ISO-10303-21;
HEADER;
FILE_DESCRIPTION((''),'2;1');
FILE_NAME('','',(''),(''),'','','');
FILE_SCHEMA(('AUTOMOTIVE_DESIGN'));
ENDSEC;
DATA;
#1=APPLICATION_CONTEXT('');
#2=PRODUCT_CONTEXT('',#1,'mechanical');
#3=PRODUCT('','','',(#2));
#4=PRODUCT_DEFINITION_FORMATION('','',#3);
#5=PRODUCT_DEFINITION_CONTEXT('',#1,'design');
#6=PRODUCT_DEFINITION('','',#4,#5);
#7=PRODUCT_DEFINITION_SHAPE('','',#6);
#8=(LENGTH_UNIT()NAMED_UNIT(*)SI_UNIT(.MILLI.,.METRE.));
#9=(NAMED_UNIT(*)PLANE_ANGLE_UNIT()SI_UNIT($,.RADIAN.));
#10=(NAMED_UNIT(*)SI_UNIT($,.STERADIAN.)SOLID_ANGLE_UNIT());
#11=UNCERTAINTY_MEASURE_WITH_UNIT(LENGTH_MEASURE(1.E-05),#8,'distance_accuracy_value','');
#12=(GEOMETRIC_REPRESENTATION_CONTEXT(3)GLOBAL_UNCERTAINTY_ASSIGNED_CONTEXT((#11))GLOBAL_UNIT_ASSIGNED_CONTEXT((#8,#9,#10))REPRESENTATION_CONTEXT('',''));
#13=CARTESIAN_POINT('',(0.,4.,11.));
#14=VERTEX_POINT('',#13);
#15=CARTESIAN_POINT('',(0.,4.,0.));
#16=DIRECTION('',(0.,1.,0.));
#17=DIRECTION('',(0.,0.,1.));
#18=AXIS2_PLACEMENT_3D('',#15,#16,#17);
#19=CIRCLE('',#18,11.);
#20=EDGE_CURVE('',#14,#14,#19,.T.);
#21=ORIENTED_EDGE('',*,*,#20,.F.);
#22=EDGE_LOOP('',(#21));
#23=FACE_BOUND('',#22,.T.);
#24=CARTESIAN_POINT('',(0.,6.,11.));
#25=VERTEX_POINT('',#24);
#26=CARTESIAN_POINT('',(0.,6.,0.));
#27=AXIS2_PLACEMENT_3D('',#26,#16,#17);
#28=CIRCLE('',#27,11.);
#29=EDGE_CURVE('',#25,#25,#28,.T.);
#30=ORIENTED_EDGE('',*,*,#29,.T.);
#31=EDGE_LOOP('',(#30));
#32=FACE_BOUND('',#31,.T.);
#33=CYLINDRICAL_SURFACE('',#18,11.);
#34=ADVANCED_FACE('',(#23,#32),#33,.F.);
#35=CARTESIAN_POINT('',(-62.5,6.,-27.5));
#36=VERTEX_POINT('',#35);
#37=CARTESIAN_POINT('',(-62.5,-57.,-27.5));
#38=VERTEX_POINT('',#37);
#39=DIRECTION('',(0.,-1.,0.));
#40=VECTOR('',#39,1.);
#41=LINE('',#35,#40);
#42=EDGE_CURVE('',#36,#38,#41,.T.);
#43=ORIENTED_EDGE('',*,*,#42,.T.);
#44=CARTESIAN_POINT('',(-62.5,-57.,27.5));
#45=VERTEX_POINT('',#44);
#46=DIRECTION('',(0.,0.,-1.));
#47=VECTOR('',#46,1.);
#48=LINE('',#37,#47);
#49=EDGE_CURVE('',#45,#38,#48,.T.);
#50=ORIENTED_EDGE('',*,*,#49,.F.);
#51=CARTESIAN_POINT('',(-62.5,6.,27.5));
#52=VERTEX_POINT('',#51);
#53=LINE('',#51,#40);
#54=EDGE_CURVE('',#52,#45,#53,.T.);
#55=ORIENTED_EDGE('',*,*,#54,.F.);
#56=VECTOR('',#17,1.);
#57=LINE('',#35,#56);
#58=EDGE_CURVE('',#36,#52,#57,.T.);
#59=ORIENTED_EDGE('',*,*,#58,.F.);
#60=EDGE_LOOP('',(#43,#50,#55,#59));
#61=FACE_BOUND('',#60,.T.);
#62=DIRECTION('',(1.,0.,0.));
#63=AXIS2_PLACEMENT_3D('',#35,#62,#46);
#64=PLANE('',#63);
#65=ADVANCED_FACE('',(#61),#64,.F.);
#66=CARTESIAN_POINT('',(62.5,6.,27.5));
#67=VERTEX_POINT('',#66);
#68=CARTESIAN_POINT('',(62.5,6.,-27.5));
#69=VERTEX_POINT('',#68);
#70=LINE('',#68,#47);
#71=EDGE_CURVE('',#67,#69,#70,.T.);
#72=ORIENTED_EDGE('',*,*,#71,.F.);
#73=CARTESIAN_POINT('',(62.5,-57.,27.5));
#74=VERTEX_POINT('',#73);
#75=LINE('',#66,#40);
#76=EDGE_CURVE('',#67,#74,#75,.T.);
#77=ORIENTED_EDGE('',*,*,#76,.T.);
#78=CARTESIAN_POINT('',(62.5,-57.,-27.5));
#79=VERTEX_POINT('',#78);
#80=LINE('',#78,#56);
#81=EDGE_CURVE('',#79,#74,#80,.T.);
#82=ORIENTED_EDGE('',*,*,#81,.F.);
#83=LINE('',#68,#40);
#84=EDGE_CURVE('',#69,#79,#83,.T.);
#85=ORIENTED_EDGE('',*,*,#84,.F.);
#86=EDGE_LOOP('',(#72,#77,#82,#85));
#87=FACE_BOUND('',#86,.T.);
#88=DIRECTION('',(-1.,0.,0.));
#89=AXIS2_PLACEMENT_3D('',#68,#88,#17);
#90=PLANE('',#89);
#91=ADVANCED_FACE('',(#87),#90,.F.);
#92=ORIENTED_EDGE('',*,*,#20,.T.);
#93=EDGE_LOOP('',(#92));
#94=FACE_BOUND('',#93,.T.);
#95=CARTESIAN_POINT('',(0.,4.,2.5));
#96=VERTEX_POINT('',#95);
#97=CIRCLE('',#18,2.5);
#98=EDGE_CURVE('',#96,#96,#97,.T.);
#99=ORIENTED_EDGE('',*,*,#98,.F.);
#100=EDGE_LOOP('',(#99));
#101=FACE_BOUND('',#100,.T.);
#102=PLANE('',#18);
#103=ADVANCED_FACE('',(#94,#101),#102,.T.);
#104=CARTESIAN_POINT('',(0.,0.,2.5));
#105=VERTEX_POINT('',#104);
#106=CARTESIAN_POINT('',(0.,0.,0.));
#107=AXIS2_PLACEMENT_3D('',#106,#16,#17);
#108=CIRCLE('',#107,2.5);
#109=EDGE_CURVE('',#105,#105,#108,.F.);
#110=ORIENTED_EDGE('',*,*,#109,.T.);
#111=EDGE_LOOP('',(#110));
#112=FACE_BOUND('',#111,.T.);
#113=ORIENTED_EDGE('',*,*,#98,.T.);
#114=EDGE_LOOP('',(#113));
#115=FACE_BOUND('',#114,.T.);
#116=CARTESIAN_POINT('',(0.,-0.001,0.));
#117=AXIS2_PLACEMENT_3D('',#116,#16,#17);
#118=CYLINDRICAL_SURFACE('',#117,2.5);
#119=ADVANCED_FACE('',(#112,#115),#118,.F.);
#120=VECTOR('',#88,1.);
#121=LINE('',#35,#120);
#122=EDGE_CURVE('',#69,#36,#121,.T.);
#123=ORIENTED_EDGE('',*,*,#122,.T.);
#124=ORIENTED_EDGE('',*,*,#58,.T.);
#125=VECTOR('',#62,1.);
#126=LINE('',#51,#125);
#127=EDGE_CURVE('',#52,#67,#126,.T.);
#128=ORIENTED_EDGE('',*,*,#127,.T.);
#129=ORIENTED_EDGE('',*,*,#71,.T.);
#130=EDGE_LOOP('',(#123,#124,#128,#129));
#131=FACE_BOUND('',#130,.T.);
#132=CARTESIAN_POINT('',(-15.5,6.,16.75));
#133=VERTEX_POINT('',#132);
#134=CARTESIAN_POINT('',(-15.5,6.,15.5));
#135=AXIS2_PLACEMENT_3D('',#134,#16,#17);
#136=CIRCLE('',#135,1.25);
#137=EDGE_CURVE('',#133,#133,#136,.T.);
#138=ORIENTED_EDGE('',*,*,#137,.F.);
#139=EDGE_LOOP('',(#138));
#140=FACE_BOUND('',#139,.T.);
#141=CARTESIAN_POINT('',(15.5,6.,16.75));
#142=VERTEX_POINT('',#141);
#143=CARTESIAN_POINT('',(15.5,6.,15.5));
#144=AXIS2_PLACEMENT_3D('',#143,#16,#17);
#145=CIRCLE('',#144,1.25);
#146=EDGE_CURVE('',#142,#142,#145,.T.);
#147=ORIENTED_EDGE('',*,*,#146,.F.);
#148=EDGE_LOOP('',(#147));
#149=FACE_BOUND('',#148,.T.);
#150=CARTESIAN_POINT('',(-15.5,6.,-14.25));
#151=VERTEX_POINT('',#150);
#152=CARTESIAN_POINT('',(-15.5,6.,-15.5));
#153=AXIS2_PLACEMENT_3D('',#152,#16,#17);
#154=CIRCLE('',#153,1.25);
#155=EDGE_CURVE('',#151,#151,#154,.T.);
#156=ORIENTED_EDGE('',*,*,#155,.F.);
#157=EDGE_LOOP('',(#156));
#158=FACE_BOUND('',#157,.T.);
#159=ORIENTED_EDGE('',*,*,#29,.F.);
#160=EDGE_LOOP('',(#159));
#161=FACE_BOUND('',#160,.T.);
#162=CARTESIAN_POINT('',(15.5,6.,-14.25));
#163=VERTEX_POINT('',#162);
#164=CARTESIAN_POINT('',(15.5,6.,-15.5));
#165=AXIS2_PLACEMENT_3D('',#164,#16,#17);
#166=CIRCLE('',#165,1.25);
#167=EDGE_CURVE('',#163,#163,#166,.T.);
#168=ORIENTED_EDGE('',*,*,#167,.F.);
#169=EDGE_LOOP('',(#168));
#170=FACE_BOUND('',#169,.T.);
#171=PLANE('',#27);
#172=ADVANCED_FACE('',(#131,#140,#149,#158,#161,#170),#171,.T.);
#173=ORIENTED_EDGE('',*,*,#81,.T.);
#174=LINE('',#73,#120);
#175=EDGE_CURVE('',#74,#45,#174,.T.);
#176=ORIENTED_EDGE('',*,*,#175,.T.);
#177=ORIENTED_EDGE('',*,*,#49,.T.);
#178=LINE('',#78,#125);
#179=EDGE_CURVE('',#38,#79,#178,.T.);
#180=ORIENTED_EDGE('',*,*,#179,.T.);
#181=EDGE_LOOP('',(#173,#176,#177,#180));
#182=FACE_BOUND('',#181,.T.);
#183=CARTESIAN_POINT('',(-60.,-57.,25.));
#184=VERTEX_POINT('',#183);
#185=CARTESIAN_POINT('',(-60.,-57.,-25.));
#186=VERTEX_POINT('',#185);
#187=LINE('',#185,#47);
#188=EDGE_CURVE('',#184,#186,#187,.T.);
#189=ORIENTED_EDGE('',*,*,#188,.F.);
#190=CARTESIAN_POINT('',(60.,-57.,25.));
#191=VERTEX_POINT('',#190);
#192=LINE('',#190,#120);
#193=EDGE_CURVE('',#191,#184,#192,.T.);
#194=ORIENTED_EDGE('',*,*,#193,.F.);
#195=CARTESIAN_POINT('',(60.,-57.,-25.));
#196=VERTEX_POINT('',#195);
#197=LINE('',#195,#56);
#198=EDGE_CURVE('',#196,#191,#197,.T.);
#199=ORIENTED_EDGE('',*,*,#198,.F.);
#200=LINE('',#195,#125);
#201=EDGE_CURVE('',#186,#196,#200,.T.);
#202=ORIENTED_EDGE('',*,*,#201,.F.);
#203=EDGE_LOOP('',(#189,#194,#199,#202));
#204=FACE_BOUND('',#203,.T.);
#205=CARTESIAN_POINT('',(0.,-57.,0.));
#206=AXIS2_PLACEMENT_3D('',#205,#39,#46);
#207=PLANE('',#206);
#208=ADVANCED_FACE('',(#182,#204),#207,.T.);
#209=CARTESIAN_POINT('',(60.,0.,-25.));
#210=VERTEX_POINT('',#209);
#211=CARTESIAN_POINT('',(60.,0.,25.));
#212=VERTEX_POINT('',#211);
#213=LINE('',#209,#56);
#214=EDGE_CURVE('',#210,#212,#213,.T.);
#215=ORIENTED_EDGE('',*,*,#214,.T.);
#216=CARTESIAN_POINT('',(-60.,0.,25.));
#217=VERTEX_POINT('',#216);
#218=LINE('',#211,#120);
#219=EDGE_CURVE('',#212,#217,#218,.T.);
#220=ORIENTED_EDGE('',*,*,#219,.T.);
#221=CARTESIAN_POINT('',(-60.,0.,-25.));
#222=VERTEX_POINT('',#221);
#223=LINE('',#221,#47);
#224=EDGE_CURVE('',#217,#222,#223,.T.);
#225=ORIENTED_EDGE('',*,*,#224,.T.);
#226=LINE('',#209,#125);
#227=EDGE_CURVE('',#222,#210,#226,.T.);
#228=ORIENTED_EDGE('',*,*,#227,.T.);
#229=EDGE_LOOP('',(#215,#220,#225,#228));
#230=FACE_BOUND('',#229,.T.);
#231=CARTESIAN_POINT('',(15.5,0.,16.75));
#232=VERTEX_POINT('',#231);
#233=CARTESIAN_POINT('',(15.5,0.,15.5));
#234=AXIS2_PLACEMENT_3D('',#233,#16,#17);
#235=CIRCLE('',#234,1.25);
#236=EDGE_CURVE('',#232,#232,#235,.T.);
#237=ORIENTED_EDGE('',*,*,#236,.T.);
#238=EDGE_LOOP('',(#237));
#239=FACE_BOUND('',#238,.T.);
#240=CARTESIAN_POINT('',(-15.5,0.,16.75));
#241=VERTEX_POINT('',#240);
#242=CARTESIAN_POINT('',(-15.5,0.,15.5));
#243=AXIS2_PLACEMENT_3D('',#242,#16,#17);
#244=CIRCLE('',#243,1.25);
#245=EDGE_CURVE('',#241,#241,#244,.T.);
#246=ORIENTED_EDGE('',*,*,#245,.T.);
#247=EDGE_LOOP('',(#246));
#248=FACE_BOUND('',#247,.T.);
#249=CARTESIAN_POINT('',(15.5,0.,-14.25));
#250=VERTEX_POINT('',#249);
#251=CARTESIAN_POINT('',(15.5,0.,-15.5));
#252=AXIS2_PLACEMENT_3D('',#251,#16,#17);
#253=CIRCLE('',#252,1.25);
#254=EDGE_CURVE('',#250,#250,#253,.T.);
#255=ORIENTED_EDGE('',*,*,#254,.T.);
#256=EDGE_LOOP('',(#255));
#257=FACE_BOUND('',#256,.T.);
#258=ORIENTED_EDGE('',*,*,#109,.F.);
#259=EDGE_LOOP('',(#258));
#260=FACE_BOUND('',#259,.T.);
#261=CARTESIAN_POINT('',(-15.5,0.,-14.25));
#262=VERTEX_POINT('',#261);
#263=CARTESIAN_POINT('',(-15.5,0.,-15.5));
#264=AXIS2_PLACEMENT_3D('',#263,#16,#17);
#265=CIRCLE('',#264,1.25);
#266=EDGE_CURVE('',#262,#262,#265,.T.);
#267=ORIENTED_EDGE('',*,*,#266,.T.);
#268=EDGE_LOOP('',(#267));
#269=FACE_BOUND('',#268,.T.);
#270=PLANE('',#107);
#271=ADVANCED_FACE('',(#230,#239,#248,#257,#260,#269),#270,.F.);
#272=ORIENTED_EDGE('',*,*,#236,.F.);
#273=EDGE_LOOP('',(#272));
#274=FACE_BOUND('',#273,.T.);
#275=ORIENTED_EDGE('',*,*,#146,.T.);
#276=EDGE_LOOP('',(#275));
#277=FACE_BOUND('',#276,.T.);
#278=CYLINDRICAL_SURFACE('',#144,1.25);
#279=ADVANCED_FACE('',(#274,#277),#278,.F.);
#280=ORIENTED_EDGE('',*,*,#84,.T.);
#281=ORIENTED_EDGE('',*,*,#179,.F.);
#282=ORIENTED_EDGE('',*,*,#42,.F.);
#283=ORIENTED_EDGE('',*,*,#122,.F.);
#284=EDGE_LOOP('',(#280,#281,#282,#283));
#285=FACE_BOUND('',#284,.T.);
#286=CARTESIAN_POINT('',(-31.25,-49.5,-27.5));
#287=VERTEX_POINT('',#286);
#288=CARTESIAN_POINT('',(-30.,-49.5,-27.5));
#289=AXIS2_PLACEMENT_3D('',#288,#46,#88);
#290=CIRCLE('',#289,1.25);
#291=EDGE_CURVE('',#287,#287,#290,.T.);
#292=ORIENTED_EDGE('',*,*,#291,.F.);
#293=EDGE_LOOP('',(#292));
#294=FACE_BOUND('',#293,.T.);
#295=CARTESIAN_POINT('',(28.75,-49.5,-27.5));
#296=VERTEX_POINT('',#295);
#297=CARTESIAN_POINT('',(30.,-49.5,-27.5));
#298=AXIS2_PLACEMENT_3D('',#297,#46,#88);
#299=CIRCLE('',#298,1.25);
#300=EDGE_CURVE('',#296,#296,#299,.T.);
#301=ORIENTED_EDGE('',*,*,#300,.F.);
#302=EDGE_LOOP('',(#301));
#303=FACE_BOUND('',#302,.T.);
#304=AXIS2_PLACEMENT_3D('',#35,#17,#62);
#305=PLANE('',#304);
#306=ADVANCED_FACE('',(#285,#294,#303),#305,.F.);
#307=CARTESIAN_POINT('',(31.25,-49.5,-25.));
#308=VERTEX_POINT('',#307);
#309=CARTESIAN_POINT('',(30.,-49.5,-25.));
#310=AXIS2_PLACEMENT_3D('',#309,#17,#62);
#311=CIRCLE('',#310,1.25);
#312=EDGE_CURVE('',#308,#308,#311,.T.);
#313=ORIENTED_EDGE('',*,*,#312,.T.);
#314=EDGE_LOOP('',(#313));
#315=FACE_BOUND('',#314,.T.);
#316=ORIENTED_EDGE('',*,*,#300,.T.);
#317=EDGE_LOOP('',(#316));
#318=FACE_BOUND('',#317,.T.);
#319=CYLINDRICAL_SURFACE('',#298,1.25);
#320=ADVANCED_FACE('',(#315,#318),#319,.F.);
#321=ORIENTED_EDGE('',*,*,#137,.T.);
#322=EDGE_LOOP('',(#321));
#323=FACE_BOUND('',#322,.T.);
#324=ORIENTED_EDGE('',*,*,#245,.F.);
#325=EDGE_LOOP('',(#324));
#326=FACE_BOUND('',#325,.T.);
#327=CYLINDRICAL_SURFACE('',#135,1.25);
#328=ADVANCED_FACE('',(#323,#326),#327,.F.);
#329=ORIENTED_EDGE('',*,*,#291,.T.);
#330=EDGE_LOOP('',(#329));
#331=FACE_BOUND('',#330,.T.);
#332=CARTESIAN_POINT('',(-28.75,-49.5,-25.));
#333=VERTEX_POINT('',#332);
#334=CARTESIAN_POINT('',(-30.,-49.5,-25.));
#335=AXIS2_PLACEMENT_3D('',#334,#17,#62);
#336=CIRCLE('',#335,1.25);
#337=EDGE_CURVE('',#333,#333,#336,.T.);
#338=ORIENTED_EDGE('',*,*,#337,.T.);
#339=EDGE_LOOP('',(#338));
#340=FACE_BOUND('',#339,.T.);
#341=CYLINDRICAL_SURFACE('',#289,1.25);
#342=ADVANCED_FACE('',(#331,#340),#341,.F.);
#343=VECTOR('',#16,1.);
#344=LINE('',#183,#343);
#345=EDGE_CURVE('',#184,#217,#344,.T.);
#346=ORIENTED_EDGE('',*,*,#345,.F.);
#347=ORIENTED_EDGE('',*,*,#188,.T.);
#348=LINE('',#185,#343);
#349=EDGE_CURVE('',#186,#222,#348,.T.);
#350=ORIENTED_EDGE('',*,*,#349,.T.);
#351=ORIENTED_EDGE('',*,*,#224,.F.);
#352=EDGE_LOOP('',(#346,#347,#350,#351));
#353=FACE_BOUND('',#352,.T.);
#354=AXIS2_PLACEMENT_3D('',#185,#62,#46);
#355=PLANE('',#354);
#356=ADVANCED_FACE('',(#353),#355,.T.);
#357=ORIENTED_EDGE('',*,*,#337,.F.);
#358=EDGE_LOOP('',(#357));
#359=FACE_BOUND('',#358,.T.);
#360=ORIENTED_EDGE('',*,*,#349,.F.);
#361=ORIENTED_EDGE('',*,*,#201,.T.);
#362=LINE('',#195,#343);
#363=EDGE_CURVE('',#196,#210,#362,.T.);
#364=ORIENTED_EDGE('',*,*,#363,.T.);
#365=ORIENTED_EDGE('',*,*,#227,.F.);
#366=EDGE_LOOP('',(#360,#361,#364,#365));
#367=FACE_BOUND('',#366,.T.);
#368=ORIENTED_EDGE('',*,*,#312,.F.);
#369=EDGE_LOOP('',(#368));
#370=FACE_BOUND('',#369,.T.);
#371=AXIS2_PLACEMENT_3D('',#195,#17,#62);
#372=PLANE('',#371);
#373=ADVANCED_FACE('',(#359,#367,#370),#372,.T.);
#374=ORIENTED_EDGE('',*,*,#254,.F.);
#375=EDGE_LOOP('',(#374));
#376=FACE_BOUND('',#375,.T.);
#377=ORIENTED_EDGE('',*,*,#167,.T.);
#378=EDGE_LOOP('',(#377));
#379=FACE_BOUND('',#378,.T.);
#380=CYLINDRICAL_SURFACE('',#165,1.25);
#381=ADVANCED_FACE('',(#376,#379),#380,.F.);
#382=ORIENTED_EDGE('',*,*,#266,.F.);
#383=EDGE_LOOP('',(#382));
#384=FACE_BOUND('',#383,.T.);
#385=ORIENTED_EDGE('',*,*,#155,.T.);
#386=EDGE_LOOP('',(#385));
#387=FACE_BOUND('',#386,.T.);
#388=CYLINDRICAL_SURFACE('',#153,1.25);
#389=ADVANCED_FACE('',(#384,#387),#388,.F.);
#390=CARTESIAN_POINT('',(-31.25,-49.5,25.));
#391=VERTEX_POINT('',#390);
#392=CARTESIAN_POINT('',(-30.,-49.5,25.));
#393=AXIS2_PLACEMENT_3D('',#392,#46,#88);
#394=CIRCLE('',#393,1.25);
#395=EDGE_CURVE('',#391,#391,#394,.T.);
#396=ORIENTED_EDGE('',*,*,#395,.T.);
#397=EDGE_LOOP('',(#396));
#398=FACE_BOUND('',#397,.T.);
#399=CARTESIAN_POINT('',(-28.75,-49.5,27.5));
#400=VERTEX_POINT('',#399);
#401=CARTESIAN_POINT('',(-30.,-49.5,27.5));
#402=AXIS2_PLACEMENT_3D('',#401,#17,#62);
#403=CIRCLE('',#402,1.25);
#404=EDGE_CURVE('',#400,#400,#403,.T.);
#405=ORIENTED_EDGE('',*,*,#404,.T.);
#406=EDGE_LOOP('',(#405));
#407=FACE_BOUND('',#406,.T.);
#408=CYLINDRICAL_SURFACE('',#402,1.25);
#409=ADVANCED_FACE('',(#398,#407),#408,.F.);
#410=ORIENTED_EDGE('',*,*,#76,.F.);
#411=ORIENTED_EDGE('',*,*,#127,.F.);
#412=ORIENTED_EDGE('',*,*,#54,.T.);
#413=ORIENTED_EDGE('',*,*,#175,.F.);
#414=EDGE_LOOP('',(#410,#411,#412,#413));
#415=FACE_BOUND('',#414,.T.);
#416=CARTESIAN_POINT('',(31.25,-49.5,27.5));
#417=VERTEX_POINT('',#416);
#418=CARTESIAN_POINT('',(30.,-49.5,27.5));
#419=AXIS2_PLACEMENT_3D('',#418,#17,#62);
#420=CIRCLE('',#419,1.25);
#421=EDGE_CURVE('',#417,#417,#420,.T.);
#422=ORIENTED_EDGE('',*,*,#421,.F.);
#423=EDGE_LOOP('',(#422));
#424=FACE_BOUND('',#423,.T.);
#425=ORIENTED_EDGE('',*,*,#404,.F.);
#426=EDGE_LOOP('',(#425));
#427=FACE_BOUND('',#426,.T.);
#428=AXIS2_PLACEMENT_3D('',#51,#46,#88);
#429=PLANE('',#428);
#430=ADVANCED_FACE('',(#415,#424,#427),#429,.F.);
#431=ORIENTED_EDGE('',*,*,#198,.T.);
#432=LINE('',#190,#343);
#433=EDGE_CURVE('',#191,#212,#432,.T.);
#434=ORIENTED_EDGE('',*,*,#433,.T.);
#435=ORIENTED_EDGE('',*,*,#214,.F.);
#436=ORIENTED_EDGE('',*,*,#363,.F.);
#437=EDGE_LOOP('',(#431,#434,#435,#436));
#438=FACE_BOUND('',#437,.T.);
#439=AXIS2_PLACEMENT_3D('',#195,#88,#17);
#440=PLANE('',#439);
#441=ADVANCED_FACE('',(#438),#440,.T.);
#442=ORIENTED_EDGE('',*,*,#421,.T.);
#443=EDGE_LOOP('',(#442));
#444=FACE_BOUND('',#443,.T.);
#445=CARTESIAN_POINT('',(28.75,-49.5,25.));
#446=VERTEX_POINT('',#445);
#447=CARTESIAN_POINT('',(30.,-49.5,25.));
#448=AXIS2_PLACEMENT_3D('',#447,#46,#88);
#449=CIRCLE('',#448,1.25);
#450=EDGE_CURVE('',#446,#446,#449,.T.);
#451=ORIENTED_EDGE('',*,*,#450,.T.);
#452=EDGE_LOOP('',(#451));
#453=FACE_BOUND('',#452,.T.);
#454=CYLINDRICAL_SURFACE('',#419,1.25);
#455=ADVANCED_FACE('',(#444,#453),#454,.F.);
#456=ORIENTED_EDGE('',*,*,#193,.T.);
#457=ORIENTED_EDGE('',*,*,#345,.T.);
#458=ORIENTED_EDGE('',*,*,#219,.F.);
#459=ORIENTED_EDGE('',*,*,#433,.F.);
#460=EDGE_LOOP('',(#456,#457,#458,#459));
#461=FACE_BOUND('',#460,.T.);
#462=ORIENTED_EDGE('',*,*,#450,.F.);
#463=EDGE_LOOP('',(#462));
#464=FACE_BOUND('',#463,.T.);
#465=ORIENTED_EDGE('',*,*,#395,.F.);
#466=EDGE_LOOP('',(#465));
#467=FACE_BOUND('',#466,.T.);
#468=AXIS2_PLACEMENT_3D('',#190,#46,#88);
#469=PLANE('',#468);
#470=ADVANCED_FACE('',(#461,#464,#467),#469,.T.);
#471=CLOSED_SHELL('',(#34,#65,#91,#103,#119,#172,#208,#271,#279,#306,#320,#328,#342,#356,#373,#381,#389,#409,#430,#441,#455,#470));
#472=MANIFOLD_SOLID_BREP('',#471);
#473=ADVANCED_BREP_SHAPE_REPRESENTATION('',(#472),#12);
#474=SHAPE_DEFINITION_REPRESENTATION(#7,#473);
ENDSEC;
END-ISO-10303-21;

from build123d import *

# Parameters (mm, degrees)
SKETCH_1_W             = 125
SKETCH_1_H             = 55
EXTRUDE_1_DEPTH        = 6
SKETCH_2_R             = 11
CUT_EXTRUDE_1_DEPTH    = 2
CUT_EXTRUDE_2_REACH    = 70.4
SKETCH_3_R             = 2.5
HOLE_WIZARD_M3_1_D     = 2.5
HOLE_WIZARD_M3_1_DEPTH = 7.5
HOLE_WIZARD_M3_1_TIP   = 0.751075774
SKETCH_6_W             = 125
SKETCH_6_H             = 55
SKETCH_6_W_2           = 120
SKETCH_6_H_2           = 50
EXTRUDE_2_DEPTH        = 57
HOLE_WIZARD_M3_2_D     = 2.5
HOLE_WIZARD_M3_2_DEPTH = 2.5
HOLE_WIZARD_M3_3_D     = 2.5


with BuildPart() as part:
    # 草图1 → 凸台-拉伸1 (new body)
    with BuildSketch(Plane(origin=(0, 0, 0), x_dir=(1, 0, 0), z_dir=(0, 1, 0))):
        Rectangle(SKETCH_1_W, SKETCH_1_H)
    extrude(amount=EXTRUDE_1_DEPTH)

    # 草图2 → 切除-拉伸1 (cut)
    with BuildSketch(Plane(origin=(0, 6, 0), x_dir=(1, 0, 0), z_dir=(0, 1, 0))):
        with Locations(Location((0, 0, 0), (0, 0, 270))):
            Circle(SKETCH_2_R)
    extrude(amount=-CUT_EXTRUDE_1_DEPTH, mode=Mode.SUBTRACT)

    # 草图3 → 切除-拉伸2 (cut, up to next)
    with BuildSketch(Plane(origin=(0, 4, 0), x_dir=(1, 0, 0), z_dir=(0, 1, 0)), mode=Mode.PRIVATE) as cut_extrude_2_sk1:
        with Locations(Location((0, 0, 0), (0, 0, 270))):
            Circle(SKETCH_3_R)
    cut_extrude_2_tool1 = extrude(cut_extrude_2_sk1.sketch, amount=-CUT_EXTRUDE_2_REACH, mode=Mode.PRIVATE) & part.part
    add(cut_extrude_2_tool1.solids().sort_by_distance((0, 4, 0))[0], mode=Mode.SUBTRACT)

    # M3 螺纹孔1
    with Locations(Plane(origin=(0, 6, 0), x_dir=(1, 0, 0), z_dir=(0, 1, 0))):
        with Locations((15.5, 15.5), (15.5, -15.5), (-15.5, -15.5), (-15.5, 15.5)):
            Hole(HOLE_WIZARD_M3_1_D / 2, depth=HOLE_WIZARD_M3_1_DEPTH)
            with Locations((0, 0, -(HOLE_WIZARD_M3_1_DEPTH + HOLE_WIZARD_M3_1_TIP / 2))):  # 118° drill point
                Cone(0, HOLE_WIZARD_M3_1_D / 2, HOLE_WIZARD_M3_1_TIP, mode=Mode.SUBTRACT)

    # 草图6 → 凸台-拉伸2 (add)
    with BuildSketch(Plane.XZ):
        Rectangle(SKETCH_6_W, SKETCH_6_H)
        Rectangle(SKETCH_6_W_2, SKETCH_6_H_2, mode=Mode.SUBTRACT)
    extrude(amount=EXTRUDE_2_DEPTH)

    # M3 螺纹孔2
    with Locations(Plane(origin=(0, 0, -27.5), x_dir=(-1, 0, 0), z_dir=(0, 0, -1))):
        with Locations((30, -49.5), (-30, -49.5)):
            Hole(HOLE_WIZARD_M3_2_D / 2, depth=HOLE_WIZARD_M3_2_DEPTH)

    # M3 螺纹孔3 (through all)
    with Locations(Plane.XY.offset(27.5)):
        with Locations((30, -49.5), (-30, -49.5)):
            Hole(HOLE_WIZARD_M3_3_D / 2)


solid = part.part
